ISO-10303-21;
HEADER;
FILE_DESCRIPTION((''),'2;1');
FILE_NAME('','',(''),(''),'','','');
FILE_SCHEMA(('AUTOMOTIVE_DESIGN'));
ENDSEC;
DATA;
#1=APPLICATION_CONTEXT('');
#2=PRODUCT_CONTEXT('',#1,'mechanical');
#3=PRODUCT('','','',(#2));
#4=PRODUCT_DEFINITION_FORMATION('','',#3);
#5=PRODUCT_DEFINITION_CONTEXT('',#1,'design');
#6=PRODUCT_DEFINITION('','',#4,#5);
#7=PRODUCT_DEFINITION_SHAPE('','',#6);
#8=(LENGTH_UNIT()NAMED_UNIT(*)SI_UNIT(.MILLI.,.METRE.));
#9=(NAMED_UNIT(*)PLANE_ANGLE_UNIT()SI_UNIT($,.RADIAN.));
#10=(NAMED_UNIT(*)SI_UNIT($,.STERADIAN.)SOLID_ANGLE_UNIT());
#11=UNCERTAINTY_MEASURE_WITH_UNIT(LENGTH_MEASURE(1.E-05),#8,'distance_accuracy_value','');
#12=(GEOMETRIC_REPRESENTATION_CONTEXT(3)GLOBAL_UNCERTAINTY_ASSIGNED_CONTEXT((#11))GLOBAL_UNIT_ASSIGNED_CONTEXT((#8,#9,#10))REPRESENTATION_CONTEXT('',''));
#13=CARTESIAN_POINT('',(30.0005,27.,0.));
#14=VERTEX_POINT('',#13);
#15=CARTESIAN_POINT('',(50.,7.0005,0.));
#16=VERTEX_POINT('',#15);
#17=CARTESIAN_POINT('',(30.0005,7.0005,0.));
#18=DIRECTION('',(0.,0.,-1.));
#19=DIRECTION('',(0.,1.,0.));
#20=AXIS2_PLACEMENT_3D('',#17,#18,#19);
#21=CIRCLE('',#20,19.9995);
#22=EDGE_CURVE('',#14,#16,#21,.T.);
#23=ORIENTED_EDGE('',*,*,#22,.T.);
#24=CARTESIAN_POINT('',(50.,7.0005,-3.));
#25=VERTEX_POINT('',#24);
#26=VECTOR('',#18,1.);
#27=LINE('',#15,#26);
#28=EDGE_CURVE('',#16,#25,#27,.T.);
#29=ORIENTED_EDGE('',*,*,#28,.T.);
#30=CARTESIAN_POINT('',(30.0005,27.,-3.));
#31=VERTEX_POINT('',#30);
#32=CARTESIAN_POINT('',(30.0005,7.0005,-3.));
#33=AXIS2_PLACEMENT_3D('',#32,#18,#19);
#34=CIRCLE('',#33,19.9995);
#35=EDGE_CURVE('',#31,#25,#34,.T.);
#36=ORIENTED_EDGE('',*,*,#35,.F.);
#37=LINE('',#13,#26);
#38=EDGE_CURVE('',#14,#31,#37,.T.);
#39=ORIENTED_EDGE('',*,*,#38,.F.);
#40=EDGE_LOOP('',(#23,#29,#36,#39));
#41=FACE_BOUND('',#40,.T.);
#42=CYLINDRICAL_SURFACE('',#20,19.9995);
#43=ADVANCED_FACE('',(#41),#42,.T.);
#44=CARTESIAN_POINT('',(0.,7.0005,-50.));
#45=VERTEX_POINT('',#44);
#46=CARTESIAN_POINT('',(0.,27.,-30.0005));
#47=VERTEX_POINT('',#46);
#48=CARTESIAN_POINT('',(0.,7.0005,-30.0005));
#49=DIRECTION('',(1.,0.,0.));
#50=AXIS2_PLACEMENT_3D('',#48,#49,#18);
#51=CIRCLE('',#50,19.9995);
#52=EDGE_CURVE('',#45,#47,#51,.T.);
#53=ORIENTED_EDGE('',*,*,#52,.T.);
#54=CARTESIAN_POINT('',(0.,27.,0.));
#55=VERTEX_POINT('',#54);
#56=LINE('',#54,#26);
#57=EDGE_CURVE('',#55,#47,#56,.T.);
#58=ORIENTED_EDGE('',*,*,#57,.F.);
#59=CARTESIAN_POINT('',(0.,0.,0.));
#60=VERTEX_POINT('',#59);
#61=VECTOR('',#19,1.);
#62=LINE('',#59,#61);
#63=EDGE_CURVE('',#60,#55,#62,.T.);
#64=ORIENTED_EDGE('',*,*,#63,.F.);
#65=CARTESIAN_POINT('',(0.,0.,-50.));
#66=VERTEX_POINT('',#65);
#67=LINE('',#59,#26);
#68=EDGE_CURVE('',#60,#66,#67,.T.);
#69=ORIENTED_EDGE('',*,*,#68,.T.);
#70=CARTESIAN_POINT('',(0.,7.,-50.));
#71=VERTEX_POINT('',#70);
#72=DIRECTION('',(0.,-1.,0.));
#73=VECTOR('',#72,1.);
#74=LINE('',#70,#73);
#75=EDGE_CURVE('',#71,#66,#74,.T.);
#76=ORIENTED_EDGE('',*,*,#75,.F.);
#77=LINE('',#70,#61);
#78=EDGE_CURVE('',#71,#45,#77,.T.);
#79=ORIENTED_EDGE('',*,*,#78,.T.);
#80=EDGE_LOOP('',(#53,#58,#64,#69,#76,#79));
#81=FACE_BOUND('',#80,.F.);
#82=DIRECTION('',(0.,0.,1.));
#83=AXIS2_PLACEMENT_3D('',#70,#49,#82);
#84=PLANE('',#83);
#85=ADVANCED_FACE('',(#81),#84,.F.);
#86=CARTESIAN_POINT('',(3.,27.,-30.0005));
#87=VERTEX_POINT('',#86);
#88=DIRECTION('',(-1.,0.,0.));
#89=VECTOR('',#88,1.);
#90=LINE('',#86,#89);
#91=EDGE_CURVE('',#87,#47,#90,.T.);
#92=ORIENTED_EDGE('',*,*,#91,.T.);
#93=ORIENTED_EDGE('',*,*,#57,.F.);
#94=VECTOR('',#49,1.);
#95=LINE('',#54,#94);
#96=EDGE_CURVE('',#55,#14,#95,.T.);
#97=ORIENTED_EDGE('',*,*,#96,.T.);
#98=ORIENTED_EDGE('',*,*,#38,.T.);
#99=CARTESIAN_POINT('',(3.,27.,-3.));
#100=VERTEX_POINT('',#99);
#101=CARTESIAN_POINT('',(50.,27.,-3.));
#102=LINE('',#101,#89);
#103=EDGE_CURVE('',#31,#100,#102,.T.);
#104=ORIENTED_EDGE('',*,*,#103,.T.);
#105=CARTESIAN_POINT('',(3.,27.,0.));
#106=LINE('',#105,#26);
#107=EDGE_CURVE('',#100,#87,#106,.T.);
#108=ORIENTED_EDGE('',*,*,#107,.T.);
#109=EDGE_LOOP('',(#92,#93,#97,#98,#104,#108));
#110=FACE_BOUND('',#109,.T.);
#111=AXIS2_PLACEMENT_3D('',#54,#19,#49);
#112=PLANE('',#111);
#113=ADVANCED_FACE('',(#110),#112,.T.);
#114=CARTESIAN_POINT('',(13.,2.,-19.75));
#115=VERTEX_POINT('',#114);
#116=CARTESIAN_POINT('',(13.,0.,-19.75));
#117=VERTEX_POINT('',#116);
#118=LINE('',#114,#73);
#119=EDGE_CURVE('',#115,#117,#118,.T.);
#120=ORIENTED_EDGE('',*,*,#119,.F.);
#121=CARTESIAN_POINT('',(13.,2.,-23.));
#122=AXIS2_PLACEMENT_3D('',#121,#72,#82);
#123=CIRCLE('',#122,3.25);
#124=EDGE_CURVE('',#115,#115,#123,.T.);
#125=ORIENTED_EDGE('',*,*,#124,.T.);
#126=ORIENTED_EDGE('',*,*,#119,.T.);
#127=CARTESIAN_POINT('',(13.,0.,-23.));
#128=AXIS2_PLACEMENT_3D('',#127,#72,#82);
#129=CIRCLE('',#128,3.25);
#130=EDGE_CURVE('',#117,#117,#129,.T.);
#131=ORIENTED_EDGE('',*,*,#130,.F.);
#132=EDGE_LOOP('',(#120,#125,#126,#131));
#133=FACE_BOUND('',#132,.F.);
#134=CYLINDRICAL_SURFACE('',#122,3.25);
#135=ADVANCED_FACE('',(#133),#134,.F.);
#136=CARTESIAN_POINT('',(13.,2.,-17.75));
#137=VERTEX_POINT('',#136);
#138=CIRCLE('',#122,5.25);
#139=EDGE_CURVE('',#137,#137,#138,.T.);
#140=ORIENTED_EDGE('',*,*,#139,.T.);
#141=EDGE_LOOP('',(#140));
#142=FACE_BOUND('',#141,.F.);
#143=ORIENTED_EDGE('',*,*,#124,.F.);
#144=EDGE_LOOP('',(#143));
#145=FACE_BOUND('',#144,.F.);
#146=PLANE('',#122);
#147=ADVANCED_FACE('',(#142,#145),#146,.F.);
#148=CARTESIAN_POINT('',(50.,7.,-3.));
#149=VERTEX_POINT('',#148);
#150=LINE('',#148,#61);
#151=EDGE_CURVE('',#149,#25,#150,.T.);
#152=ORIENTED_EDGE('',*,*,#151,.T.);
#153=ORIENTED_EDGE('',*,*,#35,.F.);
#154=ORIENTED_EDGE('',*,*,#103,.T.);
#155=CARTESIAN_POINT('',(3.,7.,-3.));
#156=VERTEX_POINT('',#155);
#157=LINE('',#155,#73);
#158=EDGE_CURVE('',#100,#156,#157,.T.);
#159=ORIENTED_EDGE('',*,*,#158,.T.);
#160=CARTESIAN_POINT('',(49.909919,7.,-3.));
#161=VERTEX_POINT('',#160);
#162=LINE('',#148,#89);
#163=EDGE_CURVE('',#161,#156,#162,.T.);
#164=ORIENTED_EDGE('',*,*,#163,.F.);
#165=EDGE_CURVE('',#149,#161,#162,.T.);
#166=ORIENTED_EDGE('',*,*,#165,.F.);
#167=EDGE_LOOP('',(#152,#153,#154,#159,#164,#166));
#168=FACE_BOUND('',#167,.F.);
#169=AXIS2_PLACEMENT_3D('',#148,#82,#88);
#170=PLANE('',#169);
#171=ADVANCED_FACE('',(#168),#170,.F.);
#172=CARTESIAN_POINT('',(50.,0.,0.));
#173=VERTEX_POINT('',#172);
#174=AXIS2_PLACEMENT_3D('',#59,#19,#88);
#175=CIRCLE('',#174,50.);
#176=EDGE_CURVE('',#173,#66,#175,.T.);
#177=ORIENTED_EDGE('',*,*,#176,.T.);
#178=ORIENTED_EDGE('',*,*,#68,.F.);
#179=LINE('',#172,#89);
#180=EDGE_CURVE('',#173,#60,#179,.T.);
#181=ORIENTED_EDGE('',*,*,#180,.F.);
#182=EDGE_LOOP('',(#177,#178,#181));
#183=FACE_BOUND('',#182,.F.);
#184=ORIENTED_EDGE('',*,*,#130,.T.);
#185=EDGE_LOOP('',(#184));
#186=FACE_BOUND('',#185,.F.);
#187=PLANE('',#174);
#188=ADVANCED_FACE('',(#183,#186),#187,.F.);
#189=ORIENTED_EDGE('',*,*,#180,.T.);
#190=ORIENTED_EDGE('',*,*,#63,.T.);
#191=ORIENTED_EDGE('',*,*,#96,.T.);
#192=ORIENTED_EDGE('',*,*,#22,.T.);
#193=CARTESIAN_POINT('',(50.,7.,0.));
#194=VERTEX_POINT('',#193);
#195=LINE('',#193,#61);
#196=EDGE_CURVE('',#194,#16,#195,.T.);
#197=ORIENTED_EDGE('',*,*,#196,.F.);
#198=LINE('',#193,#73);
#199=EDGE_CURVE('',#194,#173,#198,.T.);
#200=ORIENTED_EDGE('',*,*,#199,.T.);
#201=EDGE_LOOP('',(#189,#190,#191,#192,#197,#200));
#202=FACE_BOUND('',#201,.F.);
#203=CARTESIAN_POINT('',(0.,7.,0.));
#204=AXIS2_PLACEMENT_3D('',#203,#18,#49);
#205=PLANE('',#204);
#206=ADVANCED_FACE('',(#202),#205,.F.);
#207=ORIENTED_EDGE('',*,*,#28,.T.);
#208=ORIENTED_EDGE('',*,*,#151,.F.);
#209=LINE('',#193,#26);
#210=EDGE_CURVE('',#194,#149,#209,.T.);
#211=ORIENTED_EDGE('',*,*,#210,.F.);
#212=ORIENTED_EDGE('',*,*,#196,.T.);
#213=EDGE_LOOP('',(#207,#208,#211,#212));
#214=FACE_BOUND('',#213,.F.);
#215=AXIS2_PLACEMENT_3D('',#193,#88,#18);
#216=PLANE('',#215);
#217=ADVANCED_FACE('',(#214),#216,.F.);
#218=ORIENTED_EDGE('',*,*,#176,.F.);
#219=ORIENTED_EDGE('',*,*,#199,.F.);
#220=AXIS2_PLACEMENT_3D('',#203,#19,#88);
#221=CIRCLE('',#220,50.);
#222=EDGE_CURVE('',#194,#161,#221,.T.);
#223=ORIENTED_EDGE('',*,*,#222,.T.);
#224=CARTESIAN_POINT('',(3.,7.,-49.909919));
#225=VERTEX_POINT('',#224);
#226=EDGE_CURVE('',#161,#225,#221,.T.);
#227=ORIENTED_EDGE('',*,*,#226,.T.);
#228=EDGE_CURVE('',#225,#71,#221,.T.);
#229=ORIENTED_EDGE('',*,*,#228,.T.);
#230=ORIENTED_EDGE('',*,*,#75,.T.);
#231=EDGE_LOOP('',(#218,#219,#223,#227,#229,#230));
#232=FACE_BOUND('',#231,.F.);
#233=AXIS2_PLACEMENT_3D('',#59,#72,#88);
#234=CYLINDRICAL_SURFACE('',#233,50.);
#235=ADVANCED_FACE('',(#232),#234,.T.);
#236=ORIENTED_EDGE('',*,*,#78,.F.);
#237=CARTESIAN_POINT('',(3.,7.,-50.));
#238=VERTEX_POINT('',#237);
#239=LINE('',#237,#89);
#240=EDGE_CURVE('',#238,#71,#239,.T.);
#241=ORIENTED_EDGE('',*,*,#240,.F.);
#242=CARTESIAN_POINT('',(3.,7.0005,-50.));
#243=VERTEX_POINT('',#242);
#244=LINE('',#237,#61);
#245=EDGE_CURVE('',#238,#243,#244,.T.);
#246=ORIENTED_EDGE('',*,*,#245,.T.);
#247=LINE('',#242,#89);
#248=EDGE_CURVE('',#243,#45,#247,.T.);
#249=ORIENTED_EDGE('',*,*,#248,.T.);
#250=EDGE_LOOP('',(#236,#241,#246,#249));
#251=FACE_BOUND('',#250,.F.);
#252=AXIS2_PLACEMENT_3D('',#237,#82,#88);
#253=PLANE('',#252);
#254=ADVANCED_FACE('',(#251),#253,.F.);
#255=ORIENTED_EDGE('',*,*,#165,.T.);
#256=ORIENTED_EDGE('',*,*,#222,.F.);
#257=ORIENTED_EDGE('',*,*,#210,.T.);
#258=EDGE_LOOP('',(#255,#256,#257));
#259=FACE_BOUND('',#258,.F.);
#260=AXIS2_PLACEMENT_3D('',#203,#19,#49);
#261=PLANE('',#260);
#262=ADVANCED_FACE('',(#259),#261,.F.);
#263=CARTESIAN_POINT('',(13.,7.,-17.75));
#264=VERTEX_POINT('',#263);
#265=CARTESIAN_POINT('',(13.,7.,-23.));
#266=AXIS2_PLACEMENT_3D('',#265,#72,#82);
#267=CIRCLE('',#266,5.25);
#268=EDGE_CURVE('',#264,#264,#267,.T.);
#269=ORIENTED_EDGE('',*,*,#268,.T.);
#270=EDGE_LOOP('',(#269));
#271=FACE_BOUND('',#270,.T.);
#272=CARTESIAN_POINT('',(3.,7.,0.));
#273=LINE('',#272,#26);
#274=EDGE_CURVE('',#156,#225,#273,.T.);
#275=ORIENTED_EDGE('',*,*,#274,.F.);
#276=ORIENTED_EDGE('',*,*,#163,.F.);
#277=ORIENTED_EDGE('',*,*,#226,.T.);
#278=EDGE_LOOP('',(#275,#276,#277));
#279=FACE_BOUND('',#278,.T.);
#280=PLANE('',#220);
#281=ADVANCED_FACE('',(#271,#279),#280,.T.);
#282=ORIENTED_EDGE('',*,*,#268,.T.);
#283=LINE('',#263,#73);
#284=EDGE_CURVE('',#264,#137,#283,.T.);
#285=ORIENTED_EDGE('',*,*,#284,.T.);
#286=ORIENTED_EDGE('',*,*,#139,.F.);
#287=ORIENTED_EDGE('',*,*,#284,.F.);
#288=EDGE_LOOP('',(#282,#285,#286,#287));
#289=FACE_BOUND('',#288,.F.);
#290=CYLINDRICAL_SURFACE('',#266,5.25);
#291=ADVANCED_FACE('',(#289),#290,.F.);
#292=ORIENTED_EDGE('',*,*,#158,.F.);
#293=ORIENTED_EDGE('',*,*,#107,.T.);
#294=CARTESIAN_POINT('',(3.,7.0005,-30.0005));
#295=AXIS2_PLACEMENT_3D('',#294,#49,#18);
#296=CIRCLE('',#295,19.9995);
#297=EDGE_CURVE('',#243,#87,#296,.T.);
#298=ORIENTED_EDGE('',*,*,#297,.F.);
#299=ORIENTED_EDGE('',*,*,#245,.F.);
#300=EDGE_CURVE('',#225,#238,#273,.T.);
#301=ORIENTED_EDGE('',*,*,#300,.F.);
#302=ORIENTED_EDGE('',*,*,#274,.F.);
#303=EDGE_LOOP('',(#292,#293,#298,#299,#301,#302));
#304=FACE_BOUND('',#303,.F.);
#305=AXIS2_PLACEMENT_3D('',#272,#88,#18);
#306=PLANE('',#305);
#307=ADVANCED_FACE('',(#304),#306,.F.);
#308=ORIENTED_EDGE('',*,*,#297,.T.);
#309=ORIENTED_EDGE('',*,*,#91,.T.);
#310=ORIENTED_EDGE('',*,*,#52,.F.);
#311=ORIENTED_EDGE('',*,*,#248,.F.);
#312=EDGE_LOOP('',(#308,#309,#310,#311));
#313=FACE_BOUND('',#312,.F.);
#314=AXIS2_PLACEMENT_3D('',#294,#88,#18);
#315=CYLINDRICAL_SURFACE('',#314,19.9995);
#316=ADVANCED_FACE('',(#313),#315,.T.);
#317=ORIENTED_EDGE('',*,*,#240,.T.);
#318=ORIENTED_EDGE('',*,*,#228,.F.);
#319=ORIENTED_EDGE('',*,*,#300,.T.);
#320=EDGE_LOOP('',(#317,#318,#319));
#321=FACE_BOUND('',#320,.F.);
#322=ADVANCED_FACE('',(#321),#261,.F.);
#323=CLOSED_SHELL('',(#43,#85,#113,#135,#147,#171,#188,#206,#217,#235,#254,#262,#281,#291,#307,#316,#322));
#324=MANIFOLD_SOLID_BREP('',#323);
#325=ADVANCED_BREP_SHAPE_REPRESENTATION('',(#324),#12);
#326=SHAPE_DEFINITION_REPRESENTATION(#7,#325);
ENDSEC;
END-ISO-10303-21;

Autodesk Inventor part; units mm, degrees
ref_plane "YZ Plane" through (0, 0, 0) normal (1, 0, 0) x (0, 1, 0)
ref_plane "XZ Plane" through (0, 0, 0) normal (0, 1, 0) x (-1, 0, 0)
ref_plane "XY Plane" through (0, 0, 0) normal (0, 0, 1) x (1, 0, 0)
sketch "Sketch1" plane through (0, 0, 0) normal (0, 1, 0) x (-1, 0, 0)
  circle A0 centre (0, 0) radius 50
  dimension "d0" = 100
extrude "Extrusion1" add sketch "Sketch1" along normal blind 7
sketch "Sketch2" plane through (0, 7, 0) normal (0, 1, 0) x (1, 0, 0)
  line L0 (0, 0) -> (50, 0)
  line L1 (50, 0) -> (50, 3)
  line L2 (50, 3) -> (0, 3)
  line L3 (0, 3) -> (0, 0)
  dimension "d3" = 50
  dimension "d4" = 3
extrude "Extrusion2" add sketch "Sketch2" along normal blind 20
sketch "Sketch3" plane through (0, 7, 0) normal (0, 1, 0) x (1, 0, 0)
  line L0 (0, 3) -> (0, 0) projected
  line L1 (0, 0) -> (3, 0)
  line L2 (3, 0) -> (3, 50)
  line L3 (3, 50) -> (0, 50)
  line L4 (0, 50) -> (0, 0)
  dimension "d7" = 3
  dimension "d8" = 50
extrude "Extrusion3" add sketch "Sketch3" along normal blind 20
sketch "Sketch4" plane through (0, 7, 0) normal (0, 1, 0) x (1, 0, 0)
  line L0 (0, 0) -> (0, 50) projected
  line L1 (0, 50) -> (-50, 50)
  line L2 (-50, 50) -> (-50, -50)
  line L3 (-50, -50) -> (0, -50)
  line L4 (0, -50) -> (0, 50)
  line L5 (50, 0) -> (0, 0) projected
  line L6 (0, 0) -> (50, 0)
  line L7 (50, 0) -> (50, -50)
  line L8 (50, -50) -> (0, -50)
  line L9 (0, -50) -> (0, 0)
  dimension "d11" = 50
  dimension "d12" = 100
  dimension "d13" = 50
  dimension "d14" = 50
extrude "Extrusion4" cut sketch "Sketch4" against normal blind 7
sketch "Sketch5" plane through (0, 7, 0) normal (0, 1, 0) x (1, 0, 0)
  line L0 (3, 49.9099) -> (3, 3) projected
  line L1 (3, 3) -> (49.9099, 3) projected
  point P0 (0, 0)
  point P1 (13, 23)
  dimension "d24" = 10
  dimension "d25" = 20
hole "Hole1" at (13, 7, -23) direction (0, -1, 0) diameter 6.5 end through all counterbore diameter 10.5 counterbore depth 5
fillet "Fillet1" radius 20 1 edges at (1.5, 27, -50)
fillet "Fillet2" radius 20 1 edges at (50, 27, -1.5)
properties part number "euro_box_corner_l"
